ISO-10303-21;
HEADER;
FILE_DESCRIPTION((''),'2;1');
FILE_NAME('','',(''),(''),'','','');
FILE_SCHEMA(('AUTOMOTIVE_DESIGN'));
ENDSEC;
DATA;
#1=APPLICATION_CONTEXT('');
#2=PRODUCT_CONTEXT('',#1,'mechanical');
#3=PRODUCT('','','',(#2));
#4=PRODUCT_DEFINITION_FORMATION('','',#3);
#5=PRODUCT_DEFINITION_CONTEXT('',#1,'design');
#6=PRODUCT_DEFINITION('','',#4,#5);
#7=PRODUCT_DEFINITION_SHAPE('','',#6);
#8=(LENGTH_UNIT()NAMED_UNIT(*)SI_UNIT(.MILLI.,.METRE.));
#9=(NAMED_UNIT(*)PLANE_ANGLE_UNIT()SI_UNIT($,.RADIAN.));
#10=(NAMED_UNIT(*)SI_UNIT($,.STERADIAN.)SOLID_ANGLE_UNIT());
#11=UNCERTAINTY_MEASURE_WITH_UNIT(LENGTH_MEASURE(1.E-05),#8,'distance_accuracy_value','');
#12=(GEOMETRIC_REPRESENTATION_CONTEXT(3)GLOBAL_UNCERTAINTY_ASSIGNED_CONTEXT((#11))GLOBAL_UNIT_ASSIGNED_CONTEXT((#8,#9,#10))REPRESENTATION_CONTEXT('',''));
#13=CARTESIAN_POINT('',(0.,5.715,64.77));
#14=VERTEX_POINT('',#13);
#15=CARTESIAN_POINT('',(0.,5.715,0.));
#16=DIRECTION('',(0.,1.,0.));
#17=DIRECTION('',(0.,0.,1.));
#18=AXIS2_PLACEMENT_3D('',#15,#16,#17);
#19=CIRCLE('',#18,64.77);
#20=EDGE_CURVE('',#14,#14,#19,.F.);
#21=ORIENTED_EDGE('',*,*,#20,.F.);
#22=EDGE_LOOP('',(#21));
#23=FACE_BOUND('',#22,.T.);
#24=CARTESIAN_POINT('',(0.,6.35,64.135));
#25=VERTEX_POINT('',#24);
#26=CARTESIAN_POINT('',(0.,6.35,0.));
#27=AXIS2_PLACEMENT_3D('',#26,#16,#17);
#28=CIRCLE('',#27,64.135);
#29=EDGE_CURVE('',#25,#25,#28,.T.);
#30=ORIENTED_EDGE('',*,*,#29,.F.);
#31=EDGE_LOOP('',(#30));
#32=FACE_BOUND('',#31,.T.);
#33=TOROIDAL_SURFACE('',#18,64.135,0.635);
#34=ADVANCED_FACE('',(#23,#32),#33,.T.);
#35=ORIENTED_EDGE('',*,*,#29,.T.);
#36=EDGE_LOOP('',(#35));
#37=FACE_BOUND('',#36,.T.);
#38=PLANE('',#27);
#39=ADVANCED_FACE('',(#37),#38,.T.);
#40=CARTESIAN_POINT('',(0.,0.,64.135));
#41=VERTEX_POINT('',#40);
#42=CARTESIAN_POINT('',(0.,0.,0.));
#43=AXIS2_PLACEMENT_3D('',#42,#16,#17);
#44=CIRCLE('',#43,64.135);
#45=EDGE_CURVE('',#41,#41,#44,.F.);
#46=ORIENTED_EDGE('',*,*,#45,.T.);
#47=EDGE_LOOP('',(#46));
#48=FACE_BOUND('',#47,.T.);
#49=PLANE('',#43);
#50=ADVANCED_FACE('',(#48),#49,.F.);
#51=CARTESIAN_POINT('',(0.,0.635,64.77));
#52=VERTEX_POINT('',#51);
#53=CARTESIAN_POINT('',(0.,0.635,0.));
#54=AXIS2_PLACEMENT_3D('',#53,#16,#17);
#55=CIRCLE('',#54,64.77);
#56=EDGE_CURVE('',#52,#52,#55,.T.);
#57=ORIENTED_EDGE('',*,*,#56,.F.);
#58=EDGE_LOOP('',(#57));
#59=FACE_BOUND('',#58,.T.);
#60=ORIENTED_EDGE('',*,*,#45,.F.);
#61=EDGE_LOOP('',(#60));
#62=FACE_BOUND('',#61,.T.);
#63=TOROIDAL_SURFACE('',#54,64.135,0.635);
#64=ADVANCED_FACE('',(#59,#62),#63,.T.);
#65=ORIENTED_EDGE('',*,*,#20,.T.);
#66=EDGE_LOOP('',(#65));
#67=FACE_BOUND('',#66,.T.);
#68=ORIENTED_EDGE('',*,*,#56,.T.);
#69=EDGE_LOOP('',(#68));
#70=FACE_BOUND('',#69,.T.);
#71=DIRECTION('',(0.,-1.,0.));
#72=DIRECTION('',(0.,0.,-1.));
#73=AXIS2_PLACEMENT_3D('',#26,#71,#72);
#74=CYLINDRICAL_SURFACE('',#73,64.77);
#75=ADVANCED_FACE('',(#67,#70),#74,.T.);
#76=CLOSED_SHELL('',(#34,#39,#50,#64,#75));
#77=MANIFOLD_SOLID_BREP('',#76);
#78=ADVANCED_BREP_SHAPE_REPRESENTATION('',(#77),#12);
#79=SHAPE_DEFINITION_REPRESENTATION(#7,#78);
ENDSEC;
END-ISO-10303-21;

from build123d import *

# Parameters (mm, degrees)
SKETCH2_R           = 64.77
BOSS_EXTRUDE1_DEPTH = 6.35
FILLET1_R           = 0.635


with BuildPart() as part:
    # Sketch2 → Boss-Extrude1 (new body)
    with BuildSketch(Plane(origin=(0, 0, 0), x_dir=(1, 0, 0), z_dir=(0, 1, 0))):
        with Locations(Location((0, 0, 0), (0, 0, 270))):
            Circle(SKETCH2_R)
    extrude(amount=BOSS_EXTRUDE1_DEPTH)

    # Fillet1
    fillet1_edges = [part.edges().sort_by_distance(p)[0] for p in [
        (0, 0, -64.77),
        (0, 6.35, -64.77),
    ]]
    fillet(fillet1_edges, radius=FILLET1_R)


solid = part.part
